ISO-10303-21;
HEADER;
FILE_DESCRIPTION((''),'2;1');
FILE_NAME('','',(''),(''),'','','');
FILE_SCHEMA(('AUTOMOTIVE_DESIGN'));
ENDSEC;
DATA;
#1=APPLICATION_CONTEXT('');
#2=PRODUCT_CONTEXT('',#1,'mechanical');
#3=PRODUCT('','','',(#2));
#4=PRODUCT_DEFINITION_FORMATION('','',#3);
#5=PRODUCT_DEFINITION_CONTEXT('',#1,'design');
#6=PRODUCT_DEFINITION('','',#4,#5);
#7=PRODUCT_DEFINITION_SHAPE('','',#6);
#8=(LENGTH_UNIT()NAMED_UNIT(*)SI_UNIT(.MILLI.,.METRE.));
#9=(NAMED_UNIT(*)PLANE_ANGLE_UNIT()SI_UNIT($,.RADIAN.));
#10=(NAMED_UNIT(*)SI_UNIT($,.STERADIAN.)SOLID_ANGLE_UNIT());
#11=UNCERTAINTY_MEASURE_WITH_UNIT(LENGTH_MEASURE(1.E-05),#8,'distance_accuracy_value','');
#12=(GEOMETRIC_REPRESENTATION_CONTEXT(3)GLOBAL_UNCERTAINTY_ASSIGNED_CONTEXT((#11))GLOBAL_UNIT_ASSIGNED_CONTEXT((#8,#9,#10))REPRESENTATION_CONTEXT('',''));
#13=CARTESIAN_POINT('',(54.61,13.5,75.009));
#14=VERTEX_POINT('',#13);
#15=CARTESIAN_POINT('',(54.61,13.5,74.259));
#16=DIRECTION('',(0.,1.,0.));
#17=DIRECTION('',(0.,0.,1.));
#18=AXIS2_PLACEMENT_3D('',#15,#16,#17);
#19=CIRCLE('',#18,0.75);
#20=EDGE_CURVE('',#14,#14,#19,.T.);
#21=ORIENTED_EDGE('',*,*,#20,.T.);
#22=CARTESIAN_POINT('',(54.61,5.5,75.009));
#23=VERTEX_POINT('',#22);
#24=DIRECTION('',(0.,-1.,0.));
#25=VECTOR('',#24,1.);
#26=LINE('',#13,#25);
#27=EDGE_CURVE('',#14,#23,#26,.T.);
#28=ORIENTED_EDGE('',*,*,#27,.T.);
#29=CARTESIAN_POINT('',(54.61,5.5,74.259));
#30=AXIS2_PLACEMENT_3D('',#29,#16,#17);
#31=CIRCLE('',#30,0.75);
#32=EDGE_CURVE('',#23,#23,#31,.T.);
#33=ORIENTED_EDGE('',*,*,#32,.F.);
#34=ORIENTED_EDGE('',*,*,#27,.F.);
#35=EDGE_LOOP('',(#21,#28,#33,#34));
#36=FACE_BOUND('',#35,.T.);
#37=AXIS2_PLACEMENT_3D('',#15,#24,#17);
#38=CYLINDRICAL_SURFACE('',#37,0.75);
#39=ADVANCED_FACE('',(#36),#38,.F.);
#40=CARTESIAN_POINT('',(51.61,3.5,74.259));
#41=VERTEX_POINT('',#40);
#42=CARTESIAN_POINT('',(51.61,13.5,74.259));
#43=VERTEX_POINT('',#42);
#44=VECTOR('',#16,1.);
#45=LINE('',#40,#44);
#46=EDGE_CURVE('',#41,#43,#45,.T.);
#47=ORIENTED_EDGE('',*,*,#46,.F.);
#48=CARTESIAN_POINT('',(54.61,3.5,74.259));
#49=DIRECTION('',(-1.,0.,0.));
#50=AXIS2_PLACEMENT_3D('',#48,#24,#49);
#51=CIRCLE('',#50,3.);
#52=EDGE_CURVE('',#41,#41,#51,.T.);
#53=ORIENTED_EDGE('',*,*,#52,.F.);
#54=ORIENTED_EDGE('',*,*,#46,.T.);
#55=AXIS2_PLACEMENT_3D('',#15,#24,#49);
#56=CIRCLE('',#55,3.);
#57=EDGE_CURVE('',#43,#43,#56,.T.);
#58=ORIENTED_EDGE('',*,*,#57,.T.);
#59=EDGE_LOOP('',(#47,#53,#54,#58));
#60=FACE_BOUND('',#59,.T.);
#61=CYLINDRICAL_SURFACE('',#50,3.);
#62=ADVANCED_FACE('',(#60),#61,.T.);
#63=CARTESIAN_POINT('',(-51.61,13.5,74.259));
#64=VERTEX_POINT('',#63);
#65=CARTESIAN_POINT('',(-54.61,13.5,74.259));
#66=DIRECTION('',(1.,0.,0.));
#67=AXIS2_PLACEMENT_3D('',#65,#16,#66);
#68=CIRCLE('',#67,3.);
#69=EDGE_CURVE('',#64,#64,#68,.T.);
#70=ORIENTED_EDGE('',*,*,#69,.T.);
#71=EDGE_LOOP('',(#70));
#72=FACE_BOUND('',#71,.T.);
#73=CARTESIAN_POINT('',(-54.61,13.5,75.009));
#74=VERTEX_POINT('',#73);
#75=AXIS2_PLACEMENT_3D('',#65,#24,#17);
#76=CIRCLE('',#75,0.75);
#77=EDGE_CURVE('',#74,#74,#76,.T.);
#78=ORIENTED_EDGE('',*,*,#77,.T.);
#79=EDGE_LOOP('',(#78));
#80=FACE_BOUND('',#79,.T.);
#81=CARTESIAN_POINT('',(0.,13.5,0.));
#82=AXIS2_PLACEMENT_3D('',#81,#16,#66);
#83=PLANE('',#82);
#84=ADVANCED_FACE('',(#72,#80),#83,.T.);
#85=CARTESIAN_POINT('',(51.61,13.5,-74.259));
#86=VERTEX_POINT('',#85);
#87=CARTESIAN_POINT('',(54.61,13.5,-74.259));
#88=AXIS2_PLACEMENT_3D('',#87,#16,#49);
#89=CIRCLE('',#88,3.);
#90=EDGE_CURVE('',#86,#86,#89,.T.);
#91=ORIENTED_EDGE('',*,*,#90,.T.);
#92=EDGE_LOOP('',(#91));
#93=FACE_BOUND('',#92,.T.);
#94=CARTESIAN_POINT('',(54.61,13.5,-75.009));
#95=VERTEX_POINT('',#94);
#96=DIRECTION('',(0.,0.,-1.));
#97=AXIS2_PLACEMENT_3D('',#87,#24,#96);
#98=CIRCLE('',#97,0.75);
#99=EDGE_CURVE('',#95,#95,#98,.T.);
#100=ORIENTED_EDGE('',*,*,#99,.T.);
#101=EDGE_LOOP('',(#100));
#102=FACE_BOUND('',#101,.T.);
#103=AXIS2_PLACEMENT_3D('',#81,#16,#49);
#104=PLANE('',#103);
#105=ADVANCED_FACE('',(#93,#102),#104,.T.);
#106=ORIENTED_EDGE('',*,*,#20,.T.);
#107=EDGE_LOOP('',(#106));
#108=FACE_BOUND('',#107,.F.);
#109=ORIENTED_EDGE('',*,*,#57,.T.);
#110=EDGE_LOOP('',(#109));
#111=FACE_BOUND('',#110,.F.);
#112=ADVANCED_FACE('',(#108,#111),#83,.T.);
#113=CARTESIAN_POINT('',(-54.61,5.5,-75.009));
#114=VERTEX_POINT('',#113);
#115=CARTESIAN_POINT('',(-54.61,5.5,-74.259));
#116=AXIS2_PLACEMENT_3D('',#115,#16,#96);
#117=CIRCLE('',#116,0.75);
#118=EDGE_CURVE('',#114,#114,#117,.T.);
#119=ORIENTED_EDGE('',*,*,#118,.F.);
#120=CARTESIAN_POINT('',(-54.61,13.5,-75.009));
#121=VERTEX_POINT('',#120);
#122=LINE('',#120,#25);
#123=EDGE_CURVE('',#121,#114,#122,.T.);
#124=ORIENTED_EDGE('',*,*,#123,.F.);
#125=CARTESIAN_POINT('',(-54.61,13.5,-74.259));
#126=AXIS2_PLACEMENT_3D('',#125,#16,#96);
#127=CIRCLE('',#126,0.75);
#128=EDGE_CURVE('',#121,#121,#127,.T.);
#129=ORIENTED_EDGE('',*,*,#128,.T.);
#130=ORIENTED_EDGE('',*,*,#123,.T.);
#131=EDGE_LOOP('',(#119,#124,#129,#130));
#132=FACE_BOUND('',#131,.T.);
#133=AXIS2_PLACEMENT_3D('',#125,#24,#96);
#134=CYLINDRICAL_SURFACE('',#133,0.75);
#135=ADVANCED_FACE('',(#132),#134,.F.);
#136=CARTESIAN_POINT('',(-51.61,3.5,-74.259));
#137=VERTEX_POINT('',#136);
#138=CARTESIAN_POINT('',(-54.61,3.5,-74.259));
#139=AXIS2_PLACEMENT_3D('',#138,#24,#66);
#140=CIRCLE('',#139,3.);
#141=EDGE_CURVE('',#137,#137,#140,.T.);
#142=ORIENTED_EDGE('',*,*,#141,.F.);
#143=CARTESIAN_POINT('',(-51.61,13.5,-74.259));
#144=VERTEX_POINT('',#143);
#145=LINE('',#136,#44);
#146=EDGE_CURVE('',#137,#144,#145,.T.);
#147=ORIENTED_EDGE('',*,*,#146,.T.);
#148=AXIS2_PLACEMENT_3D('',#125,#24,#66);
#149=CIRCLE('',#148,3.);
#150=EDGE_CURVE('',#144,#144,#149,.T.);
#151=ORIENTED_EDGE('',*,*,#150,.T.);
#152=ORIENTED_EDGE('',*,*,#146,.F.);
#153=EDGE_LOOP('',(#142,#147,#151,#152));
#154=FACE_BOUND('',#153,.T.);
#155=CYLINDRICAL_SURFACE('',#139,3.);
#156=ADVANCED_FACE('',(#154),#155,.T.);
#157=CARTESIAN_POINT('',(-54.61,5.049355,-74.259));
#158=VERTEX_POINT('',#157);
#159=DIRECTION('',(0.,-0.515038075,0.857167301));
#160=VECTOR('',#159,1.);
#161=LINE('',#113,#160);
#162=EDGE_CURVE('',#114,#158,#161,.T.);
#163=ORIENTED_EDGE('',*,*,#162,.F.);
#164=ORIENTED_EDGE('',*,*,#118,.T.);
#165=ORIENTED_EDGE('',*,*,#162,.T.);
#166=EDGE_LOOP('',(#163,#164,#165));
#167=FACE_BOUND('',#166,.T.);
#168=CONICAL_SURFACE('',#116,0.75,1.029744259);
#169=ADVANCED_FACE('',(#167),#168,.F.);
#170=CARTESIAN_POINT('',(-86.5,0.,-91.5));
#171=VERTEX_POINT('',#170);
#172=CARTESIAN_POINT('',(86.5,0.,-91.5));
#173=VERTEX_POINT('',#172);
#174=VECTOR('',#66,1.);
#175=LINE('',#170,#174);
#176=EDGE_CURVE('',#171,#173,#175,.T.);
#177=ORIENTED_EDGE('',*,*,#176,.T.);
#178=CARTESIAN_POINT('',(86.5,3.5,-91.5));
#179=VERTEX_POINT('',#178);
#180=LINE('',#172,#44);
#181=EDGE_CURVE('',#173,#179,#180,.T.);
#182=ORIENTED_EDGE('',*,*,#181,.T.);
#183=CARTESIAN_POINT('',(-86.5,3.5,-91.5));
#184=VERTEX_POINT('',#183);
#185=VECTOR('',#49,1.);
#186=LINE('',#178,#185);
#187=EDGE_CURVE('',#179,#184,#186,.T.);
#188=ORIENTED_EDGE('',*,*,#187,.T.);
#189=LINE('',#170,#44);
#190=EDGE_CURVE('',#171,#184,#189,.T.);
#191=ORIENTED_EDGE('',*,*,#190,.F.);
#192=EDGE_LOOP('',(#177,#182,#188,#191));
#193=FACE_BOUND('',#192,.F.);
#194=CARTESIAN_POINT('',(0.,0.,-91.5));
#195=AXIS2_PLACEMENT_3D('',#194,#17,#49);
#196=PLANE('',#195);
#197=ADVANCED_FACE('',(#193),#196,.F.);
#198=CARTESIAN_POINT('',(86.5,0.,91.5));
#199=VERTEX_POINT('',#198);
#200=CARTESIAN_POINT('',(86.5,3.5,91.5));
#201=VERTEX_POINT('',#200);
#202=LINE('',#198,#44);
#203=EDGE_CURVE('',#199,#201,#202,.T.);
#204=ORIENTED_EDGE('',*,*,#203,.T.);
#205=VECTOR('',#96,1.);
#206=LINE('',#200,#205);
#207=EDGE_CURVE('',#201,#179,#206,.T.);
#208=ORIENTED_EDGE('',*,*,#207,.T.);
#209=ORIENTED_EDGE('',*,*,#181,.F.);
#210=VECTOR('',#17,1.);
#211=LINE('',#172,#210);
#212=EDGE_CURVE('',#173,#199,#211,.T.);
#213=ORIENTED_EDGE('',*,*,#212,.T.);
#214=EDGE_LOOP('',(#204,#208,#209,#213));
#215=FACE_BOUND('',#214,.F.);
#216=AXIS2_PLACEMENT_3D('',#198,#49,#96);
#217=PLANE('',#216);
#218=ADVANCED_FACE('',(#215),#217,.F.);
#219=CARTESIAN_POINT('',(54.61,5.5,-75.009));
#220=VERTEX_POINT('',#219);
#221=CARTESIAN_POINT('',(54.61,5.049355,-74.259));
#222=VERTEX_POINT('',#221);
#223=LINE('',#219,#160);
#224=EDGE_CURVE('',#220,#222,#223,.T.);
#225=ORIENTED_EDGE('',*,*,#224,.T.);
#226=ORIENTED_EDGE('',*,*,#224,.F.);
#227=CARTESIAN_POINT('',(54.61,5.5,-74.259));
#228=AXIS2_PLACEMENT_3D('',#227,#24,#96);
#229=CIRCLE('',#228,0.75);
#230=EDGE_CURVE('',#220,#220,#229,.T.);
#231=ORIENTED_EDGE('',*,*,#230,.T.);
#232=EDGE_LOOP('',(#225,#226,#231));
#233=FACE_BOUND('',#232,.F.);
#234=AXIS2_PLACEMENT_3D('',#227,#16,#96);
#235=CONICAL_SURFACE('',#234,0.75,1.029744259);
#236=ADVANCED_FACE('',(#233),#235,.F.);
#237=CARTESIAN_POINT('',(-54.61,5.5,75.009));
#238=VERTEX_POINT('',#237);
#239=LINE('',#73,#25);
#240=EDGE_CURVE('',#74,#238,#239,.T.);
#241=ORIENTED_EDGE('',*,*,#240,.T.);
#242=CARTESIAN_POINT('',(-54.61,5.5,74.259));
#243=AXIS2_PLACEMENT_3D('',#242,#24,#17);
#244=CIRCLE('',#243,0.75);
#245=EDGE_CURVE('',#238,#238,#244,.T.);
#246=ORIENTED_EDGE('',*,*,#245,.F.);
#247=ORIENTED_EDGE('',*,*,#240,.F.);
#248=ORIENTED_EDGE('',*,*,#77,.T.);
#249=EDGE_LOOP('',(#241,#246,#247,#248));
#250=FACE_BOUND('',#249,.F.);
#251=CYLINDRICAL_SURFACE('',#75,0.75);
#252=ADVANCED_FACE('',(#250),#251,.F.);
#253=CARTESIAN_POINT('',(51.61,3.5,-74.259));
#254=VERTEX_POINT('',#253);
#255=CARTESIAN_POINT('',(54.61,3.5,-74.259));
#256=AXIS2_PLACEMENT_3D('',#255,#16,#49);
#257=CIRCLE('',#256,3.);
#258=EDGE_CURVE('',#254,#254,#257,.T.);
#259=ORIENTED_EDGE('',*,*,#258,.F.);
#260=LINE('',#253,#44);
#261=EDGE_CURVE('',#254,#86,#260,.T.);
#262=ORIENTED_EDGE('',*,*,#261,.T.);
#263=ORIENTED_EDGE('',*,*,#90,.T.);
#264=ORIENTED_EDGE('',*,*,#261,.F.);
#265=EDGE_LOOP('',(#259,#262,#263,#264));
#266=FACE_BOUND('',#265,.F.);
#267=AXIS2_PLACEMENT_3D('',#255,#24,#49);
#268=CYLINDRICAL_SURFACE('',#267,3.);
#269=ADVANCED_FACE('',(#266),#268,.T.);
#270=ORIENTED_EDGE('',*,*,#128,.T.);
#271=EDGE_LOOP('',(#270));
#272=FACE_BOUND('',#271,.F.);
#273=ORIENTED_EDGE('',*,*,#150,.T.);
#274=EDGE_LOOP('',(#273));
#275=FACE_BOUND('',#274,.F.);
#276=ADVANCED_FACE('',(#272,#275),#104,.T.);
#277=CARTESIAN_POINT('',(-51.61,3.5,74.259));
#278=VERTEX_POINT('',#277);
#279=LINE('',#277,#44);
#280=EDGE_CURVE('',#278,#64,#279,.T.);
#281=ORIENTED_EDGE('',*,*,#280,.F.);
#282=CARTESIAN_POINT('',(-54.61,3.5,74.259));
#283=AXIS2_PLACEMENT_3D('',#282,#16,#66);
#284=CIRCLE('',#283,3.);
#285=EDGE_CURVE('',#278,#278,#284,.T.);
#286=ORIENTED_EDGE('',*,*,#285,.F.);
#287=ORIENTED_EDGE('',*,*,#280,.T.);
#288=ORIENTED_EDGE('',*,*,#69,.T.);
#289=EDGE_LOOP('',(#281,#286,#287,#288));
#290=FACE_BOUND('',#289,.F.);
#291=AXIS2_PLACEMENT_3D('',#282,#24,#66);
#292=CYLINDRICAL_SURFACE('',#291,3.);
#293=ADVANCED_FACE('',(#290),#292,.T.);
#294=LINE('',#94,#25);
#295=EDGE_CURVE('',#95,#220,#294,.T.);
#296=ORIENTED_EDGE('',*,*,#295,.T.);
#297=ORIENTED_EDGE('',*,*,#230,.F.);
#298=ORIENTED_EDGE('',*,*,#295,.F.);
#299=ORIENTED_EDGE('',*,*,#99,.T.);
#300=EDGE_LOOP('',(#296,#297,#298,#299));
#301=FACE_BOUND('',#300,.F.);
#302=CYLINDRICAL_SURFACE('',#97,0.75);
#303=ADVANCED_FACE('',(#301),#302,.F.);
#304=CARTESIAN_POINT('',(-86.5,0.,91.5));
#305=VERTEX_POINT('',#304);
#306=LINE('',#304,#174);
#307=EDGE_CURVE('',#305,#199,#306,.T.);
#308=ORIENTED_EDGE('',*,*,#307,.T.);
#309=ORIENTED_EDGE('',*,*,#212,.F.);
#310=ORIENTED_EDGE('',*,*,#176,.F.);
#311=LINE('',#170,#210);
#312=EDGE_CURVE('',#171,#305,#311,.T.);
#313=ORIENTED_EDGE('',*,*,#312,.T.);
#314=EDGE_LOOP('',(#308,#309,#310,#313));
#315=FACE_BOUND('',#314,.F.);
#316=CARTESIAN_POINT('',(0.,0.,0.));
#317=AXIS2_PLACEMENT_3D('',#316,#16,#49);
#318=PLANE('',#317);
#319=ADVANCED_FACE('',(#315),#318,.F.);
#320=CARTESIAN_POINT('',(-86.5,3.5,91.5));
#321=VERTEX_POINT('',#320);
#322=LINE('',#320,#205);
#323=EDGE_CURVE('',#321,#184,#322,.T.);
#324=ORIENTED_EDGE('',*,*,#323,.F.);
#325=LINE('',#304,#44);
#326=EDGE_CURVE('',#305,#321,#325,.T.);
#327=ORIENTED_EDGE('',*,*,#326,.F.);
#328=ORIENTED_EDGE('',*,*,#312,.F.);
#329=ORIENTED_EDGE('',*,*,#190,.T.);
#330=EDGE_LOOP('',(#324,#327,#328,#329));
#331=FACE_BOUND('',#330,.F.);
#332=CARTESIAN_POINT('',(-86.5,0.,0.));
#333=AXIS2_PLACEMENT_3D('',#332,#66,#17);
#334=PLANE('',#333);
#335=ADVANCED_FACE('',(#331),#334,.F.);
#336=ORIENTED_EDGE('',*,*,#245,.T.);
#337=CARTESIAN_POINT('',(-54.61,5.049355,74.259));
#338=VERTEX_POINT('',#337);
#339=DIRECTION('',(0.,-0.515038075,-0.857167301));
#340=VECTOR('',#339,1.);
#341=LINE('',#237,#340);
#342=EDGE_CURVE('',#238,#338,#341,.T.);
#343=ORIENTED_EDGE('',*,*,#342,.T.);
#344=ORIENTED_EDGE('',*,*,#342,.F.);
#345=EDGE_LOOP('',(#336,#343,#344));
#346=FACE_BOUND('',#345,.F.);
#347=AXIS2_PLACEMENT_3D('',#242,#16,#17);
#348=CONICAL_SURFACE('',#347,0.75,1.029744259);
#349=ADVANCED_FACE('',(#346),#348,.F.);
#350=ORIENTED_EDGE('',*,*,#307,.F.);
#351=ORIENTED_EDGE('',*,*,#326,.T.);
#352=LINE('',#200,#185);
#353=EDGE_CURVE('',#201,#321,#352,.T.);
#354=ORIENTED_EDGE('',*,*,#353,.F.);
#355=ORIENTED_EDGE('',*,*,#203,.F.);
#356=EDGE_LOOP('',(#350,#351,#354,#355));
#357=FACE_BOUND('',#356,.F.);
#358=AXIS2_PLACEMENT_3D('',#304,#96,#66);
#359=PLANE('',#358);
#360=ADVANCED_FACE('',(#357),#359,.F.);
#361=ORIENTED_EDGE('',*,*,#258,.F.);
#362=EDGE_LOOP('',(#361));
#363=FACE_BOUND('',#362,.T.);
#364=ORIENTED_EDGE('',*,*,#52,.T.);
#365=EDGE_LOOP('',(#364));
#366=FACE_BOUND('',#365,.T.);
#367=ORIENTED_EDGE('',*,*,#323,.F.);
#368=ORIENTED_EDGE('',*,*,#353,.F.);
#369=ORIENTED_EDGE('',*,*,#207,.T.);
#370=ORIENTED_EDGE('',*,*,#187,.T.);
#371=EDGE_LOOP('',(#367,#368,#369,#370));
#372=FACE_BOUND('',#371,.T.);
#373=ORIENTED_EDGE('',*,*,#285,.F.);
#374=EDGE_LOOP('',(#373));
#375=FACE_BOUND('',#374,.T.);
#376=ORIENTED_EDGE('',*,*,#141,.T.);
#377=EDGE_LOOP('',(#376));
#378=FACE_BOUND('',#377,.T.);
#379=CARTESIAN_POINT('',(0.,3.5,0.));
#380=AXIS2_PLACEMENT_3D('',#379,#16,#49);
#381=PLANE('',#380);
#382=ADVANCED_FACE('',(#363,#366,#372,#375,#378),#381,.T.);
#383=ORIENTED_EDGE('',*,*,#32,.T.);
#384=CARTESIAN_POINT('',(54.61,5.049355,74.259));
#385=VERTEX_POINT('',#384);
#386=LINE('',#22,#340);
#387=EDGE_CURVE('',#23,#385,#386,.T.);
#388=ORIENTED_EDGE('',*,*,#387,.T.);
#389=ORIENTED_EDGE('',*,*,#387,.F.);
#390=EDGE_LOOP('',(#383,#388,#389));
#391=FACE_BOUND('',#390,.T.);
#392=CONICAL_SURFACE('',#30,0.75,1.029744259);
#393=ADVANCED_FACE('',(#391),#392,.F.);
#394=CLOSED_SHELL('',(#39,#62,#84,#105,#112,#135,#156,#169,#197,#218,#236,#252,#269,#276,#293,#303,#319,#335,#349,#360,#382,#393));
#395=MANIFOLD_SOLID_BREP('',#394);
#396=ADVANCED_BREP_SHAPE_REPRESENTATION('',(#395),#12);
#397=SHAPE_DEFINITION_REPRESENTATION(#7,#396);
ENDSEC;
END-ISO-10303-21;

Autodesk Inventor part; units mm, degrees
sketch "Náčrt1" plane through (0, 0, 0) normal (0, 1, 0) x (-1, 0, 0)
  line L0 (86.5, 91.5) -> (-86.5, 91.5)
  line L1 (-86.5, 91.5) -> (-86.5, -91.5)
  line L2 (-86.5, -91.5) -> (86.5, -91.5)
  line L3 (86.5, -91.5) -> (86.5, 91.5)
  line L4 (121.1, 0) -> (-121.1, 0) projected
  line L5 (0, -128.1) -> (0, 128.1) projected
  point P0 (0, 0)
  dimension "d0" = 183
  dimension "d1" = 173
extrude "Vysunutí1" add sketch "Náčrt1" along normal blind 3.5
sketch "Náčrt2" plane through (0, 3.5, 0) normal (0, 1, 0) x (1, 0, 0)
  circle A0 centre (-54.61, -74.259) radius 3
  line L0 (0, 128.1) -> (0, -128.1) projected
  line L1 (-121.1, 0) -> (121.1, 0) projected
  point P0 (0, 0)
  dimension "d4" = 6
  dimension "d14" = 54.61
  dimension "d15" = 74.259
extrude "Vysunutí2" add sketch "Náčrt2" along normal blind 10
ref_plane "Pracovní rovina1" through (0, 0, 91.5) normal (1, 0, 0) x (0, 0, -1)
ref_plane "Pracovní rovina2" through (-86.5, 0, 0) normal (0, 0, 1) x (1, 0, 0)
sketch "Náčrt3" plane through (-54.61, 13.5, 74.259) normal (0, 1, 0) x (1, 0, 0)
  point P0 (54.61, 74.259)
  point P1 (0, 0)
  point P2 (0, 0)
hole "Díra1" at (-54.61, 13.5, 74.259) direction (0, -1, 0) diameter 1.5 depth 8 tip angle 118
pattern_circular "Kruhové pole1" count 2 over 360 about axis through (0, -10, 0) along (0, 1, 0) of "Vysunutí2", "Díra1"
mirror "Zrcadlit1" about plane through (0, 0, 0) normal (0, 0, 1) of "Vysunutí2", "Díra1", "Kruhové pole1"
ref_plane "Pracovní rovina5" through (0, 1.75, 0) normal (0, 1, 0) x (1, 0, 0)
ref_plane "Pracovní rovina3" through (0, 0, 0) normal (0, 0, 1) x (1, 0, 0)
properties part number "Cabinet - back"
